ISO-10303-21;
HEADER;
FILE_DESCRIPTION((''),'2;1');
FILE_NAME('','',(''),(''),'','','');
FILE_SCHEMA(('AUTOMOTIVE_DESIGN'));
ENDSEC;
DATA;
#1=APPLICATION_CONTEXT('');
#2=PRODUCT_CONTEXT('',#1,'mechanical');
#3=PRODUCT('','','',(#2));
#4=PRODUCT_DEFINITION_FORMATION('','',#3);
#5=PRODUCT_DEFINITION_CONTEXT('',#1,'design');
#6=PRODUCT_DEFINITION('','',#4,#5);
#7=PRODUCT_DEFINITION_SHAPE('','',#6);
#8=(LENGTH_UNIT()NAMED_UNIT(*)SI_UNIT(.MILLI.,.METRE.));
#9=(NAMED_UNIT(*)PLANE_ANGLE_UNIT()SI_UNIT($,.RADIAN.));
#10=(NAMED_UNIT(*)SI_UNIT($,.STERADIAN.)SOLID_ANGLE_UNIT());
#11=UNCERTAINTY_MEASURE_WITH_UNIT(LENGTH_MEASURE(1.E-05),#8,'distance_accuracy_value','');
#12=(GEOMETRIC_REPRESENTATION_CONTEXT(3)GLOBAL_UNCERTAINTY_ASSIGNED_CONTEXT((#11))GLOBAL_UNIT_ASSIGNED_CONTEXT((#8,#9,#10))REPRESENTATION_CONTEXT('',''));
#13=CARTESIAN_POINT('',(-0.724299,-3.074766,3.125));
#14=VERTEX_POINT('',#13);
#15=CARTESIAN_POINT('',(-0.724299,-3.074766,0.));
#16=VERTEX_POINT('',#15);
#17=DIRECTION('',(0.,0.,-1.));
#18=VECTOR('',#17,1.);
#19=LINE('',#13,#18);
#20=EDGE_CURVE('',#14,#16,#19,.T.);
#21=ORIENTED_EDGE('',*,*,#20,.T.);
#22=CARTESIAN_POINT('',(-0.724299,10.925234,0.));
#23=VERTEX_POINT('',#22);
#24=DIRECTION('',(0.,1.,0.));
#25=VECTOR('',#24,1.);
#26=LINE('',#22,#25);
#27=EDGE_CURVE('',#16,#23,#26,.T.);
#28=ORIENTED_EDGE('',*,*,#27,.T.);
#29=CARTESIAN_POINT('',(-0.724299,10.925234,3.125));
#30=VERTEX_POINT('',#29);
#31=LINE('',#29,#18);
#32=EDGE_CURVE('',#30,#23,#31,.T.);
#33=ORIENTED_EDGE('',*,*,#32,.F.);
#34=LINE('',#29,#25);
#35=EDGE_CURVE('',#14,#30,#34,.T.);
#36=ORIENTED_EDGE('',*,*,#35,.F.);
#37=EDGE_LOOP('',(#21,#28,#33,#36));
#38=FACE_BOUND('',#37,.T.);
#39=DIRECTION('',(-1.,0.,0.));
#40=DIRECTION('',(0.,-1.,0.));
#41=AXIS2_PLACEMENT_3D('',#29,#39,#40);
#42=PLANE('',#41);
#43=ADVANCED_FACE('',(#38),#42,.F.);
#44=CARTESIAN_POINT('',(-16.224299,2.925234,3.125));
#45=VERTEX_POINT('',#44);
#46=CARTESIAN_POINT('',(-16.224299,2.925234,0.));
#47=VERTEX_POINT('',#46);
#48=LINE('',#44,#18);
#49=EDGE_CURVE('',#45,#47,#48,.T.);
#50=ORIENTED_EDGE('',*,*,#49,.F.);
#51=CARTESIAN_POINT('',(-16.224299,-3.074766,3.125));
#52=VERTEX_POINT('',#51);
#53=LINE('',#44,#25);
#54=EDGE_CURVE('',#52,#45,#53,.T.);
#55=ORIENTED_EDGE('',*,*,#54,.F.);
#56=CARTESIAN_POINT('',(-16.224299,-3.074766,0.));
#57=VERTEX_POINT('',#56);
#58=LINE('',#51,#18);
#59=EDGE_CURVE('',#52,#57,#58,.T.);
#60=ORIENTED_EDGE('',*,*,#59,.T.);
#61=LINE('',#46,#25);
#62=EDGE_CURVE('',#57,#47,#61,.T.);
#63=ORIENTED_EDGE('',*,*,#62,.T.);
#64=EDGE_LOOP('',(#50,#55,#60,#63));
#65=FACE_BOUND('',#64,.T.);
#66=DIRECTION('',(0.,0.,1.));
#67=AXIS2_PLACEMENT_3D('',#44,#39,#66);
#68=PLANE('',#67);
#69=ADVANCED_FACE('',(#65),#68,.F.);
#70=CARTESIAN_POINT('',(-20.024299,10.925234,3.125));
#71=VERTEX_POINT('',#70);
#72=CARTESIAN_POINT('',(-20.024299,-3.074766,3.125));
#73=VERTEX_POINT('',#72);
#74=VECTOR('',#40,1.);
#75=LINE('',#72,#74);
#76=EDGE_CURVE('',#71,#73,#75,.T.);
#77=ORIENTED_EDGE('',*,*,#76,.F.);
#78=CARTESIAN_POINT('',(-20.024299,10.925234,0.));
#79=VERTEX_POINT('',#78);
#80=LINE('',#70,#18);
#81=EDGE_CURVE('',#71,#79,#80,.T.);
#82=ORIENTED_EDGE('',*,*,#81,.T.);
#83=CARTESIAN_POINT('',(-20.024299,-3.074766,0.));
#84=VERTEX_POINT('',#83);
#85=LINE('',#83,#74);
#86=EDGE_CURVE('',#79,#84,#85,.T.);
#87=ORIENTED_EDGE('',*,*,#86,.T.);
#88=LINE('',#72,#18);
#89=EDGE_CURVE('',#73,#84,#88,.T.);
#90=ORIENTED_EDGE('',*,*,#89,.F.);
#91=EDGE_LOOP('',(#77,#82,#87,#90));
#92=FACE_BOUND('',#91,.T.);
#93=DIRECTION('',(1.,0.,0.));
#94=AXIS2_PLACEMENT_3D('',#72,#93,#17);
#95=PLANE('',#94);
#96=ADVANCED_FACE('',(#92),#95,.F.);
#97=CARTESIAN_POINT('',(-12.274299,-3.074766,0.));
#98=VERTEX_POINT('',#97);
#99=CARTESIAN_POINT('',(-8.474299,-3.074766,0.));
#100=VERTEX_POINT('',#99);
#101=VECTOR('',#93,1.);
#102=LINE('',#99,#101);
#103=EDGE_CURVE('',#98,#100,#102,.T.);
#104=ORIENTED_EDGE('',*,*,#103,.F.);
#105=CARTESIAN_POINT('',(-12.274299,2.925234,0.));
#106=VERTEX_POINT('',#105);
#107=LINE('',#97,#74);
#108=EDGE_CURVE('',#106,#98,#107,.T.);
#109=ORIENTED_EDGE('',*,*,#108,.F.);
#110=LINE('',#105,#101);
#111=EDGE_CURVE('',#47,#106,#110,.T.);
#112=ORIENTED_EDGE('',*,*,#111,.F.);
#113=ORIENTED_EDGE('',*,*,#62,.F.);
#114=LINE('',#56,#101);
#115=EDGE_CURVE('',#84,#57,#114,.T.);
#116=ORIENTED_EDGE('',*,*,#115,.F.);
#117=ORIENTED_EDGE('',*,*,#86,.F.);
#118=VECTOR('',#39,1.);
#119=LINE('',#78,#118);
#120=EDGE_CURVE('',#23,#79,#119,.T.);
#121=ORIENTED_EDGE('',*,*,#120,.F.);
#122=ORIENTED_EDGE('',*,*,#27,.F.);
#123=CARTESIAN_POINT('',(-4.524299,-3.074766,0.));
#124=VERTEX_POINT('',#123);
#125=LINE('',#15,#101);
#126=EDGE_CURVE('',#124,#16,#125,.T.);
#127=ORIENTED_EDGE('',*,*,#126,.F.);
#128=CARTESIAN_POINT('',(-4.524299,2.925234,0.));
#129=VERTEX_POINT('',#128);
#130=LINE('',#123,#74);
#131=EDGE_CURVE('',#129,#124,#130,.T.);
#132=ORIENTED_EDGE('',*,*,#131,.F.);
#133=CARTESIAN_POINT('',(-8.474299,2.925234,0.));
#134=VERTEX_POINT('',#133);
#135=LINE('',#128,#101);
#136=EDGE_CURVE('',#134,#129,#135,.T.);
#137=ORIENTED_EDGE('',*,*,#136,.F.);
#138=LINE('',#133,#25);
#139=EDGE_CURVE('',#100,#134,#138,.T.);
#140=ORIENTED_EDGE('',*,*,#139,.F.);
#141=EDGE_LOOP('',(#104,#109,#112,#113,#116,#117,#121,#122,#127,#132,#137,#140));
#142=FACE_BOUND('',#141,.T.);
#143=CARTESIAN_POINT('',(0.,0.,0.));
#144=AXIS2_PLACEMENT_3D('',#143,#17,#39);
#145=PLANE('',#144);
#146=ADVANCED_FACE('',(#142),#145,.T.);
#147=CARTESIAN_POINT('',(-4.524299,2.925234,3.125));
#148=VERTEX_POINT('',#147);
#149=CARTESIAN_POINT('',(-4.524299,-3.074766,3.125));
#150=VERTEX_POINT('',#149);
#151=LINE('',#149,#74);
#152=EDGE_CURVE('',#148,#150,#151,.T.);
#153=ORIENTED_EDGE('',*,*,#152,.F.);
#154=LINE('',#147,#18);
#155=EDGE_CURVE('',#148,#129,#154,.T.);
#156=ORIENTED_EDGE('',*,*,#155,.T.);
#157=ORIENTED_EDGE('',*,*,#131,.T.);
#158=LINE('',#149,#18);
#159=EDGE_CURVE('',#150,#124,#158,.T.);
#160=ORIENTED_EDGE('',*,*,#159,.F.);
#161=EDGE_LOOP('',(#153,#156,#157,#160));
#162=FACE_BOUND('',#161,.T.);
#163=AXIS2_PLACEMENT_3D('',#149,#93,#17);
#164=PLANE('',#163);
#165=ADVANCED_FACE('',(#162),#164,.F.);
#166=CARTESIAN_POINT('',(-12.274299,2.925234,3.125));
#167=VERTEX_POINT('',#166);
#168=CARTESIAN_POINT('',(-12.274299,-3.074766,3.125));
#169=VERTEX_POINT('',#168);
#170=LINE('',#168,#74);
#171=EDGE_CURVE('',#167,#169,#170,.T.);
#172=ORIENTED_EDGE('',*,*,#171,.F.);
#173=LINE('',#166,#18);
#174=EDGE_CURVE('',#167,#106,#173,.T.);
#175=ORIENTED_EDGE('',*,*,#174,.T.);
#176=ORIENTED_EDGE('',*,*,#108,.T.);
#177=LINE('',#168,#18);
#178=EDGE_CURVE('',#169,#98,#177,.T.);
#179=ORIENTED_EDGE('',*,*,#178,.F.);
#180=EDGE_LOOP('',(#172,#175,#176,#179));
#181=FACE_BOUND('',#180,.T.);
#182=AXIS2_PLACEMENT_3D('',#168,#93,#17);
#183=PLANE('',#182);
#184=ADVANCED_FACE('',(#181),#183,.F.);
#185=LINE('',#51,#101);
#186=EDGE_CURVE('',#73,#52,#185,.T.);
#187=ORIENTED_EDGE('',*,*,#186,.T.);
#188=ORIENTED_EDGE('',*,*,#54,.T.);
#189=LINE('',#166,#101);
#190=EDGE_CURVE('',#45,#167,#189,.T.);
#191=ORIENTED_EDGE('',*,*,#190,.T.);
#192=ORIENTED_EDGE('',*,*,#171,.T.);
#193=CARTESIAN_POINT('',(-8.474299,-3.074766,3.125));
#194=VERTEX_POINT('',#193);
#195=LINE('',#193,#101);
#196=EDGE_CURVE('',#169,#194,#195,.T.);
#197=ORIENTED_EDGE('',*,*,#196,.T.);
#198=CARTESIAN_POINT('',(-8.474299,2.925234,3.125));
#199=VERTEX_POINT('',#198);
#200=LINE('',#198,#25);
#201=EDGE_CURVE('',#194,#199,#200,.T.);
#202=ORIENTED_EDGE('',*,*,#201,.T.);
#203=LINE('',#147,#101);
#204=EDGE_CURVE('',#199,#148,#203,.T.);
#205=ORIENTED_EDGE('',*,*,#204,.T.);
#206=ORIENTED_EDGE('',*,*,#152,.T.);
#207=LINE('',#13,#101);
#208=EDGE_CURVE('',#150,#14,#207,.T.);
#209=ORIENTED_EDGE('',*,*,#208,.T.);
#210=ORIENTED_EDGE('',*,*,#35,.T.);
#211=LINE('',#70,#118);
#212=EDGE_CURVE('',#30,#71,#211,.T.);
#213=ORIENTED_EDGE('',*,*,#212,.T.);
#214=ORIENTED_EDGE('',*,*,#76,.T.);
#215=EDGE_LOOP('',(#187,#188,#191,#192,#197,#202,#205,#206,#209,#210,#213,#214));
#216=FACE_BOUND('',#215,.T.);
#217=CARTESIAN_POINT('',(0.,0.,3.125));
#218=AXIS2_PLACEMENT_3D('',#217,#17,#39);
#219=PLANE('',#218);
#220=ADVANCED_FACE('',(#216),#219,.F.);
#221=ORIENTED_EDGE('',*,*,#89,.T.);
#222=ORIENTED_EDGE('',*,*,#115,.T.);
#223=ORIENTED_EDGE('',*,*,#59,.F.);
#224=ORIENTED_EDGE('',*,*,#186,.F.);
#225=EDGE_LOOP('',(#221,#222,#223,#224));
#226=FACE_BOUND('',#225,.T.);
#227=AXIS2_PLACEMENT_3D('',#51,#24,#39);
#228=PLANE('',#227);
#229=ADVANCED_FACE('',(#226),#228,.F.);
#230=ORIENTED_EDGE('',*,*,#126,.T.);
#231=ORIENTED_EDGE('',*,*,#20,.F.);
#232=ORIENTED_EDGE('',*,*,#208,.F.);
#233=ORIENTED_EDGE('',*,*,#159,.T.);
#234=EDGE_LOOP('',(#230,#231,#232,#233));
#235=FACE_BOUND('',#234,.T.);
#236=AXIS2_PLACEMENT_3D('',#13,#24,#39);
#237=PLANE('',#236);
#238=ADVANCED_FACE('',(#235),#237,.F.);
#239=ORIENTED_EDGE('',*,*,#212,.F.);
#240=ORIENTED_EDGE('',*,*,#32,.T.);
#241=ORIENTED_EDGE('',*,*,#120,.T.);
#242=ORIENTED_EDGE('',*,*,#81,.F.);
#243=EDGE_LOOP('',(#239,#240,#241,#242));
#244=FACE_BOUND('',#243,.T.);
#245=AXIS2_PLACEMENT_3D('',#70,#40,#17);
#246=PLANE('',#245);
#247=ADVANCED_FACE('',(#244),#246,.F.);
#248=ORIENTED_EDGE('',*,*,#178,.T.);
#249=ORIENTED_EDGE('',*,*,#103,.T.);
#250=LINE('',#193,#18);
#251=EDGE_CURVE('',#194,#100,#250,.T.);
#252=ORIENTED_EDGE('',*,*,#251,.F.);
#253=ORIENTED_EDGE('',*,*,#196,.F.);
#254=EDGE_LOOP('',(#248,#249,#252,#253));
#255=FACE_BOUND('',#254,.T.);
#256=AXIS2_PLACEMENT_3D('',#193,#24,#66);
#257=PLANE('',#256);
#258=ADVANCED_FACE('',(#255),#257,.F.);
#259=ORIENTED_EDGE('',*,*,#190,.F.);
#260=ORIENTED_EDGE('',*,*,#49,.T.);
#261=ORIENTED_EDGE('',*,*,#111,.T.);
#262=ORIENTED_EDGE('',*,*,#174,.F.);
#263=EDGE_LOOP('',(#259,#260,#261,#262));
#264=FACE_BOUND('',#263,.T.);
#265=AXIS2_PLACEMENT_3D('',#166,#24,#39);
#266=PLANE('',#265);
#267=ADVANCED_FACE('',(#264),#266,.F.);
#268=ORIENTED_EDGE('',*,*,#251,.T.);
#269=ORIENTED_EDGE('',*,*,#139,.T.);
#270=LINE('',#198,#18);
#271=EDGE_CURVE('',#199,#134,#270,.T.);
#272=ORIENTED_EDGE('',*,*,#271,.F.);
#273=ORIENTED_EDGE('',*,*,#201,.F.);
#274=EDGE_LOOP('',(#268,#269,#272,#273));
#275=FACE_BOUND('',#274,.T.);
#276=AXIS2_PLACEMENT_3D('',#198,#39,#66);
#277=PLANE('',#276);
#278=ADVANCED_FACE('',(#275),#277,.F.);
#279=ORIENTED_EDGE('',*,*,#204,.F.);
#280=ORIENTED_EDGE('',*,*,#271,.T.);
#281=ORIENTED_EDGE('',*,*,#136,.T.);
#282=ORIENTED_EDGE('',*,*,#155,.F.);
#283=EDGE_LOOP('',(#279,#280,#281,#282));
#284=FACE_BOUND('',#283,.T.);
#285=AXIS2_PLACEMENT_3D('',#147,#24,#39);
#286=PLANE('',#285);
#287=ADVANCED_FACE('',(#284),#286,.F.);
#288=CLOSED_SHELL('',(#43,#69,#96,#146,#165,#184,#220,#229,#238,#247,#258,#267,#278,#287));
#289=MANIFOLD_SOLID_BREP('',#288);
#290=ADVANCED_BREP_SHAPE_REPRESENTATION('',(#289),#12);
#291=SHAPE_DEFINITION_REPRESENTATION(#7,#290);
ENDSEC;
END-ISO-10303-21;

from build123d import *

# Parameters (mm, degrees)
BOSS_EXTRUDE1_DEPTH = 3.125


with BuildPart() as part:
    # Sketch1 → Boss-Extrude1 (new body)
    with BuildSketch(Plane.XY):
        Polygon((-20.024299065, -3.074766355), (-20.024299065, 10.925233645), (-0.724299065, 10.925233645), (-0.724299065, -3.074766355), (-4.524299065, -3.074766355), (-4.524299065, 2.925233645), (-8.474299065, 2.925233645), (-8.474299065, -3.074766355), (-12.274299065, -3.074766355), (-12.274299065, 2.925233645), (-16.224299065, 2.925233645), (-16.224299065, -3.074766355), align=None)
    extrude(amount=BOSS_EXTRUDE1_DEPTH)


solid = part.part
